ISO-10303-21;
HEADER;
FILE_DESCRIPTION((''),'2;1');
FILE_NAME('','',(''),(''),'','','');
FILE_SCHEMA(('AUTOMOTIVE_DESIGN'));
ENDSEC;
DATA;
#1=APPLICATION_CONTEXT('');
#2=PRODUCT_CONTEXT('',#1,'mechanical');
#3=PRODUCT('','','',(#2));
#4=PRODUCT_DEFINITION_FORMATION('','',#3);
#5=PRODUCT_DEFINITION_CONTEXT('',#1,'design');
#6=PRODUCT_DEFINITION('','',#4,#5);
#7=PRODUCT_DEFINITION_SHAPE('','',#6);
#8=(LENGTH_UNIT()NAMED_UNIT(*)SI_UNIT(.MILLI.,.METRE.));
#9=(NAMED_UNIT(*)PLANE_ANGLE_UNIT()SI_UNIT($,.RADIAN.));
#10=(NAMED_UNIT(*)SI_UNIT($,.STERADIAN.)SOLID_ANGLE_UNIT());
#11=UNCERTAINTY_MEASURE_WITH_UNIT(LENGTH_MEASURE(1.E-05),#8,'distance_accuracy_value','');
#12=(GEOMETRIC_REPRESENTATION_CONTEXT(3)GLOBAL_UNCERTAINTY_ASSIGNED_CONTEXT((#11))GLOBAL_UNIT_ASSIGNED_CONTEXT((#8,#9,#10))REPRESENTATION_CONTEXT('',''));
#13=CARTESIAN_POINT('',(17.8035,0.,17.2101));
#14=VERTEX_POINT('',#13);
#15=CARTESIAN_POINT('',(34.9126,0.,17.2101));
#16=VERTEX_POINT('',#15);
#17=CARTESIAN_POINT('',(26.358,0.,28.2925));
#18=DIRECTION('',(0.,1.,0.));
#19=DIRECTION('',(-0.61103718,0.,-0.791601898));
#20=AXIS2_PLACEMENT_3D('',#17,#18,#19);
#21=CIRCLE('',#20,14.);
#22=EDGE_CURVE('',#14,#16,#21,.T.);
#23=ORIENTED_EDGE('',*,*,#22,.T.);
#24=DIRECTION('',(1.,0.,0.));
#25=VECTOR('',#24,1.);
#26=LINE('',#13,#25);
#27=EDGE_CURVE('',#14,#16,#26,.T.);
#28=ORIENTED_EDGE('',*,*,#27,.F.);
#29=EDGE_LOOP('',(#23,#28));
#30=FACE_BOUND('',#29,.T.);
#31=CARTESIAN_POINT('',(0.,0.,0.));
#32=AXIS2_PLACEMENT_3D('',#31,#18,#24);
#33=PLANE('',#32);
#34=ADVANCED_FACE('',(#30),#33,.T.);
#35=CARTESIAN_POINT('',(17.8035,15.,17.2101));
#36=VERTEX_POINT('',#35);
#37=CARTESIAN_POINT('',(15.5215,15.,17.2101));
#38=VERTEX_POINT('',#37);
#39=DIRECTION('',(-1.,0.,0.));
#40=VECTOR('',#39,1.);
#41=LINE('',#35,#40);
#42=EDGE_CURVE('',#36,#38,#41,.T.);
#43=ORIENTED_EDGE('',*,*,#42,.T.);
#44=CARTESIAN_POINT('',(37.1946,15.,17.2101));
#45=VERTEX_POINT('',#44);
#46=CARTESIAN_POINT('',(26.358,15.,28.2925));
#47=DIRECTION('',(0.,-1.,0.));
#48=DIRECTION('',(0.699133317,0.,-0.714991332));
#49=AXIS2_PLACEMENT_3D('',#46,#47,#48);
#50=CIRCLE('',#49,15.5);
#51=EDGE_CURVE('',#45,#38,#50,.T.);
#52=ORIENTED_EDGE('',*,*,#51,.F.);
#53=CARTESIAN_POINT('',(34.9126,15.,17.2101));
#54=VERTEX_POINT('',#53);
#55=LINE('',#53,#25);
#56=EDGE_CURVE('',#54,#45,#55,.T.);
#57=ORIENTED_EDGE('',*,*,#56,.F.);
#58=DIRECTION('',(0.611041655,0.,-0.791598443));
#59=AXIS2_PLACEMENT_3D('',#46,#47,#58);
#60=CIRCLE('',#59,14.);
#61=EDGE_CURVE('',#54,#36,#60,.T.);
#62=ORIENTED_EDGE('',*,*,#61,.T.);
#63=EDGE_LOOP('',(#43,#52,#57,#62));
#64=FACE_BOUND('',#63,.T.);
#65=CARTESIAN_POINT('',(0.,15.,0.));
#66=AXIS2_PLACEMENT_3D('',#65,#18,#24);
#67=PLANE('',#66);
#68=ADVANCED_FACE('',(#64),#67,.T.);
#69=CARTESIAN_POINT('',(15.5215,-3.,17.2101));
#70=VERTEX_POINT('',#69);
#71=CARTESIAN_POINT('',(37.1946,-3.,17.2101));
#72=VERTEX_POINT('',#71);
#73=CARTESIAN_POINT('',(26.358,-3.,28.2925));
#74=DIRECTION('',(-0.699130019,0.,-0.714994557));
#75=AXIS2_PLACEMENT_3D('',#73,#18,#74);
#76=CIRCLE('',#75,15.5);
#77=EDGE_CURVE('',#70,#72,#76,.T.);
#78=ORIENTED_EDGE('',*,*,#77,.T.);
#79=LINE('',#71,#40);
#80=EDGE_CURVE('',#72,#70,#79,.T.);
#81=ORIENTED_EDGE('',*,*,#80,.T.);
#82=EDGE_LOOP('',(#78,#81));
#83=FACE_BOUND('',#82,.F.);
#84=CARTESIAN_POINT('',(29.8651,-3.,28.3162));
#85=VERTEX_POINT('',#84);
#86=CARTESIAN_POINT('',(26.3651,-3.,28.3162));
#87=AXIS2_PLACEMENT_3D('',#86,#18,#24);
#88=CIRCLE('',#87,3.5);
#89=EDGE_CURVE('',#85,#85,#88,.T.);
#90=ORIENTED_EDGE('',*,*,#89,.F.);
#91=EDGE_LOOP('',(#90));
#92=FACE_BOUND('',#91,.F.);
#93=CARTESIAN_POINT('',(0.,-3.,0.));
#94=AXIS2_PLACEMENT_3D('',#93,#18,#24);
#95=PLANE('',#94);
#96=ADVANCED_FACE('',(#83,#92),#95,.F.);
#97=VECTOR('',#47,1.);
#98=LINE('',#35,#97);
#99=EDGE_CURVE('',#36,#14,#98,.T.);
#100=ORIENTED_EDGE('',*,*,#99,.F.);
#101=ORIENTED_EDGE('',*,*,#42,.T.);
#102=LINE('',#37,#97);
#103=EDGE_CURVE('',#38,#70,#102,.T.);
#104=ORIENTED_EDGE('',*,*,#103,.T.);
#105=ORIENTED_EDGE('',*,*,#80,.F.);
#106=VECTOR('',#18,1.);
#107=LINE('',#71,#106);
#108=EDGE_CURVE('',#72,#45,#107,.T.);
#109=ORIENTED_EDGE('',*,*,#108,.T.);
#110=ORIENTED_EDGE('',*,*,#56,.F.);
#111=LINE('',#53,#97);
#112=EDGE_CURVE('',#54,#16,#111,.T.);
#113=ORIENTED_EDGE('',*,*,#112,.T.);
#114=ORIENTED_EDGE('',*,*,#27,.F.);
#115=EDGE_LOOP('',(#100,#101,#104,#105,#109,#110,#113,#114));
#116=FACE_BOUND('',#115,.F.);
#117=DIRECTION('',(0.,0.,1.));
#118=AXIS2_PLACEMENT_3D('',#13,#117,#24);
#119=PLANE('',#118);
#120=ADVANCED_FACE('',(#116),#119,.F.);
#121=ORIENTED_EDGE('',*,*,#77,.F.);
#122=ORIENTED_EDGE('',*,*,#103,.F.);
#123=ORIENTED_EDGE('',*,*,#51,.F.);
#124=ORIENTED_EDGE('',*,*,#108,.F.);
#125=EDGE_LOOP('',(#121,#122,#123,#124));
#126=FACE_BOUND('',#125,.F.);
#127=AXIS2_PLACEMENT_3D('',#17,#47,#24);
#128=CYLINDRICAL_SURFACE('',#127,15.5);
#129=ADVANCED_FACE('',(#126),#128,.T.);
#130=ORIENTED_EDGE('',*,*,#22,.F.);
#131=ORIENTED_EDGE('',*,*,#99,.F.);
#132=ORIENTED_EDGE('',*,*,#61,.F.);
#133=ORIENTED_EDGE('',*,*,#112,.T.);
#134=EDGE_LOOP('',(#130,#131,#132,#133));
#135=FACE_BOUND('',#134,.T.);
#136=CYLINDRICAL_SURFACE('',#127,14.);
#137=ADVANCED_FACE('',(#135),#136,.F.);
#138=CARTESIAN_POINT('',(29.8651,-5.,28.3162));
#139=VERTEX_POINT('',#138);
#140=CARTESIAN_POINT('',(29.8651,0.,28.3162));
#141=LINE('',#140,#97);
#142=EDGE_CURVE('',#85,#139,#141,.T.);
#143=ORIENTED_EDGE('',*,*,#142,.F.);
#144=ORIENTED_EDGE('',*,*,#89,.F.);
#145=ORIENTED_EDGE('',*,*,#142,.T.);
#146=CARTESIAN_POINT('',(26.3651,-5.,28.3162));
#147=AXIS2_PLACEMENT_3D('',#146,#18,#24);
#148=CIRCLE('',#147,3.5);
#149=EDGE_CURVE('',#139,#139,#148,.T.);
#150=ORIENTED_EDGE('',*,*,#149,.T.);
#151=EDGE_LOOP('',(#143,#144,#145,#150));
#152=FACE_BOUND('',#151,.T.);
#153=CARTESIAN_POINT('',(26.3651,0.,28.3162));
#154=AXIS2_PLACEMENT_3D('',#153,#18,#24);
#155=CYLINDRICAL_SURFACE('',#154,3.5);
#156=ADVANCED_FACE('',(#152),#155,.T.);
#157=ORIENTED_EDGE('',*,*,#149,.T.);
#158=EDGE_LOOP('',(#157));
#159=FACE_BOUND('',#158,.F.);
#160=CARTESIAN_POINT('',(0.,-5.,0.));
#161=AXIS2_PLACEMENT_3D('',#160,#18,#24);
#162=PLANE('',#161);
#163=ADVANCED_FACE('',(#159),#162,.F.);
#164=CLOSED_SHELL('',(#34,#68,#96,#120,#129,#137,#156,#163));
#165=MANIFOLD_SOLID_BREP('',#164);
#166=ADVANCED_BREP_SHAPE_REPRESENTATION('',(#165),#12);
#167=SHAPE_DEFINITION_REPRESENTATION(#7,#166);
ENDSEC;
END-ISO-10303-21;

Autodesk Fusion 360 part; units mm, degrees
sketch "Sketch1" plane through (0, 0, 0) normal (0, 1, 0) x (1, 0, 0)
  circle A0 centre (26.358, -28.2925) radius 15.5
  line L0 (17.858, -15.331) -> (34.858, -15.331)
  circle A1 centre (26.358, -28.2925) radius 14
  line L1 (17.8035, -17.2101) -> (34.9126, -17.2101)
  line L2 (34.9126, -17.2101) -> (37.1946, -17.2101)
  line L3 (17.8035, -17.2101) -> (15.5215, -17.2101)
  dimension "d1" = 31
  dimension "d2" = 17
  dimension "d3" = 28
extrude "Extrude1" add sketch "Sketch1" along normal blind 15 contours A0 A1 L2 L3 makes body 1
extrude "Extrude2" add sketch "Sketch1" against normal blind 3 contours A0 A1 L2 L3 bodies 1
extrude "Extrude3" add sketch "Sketch1" against normal blind 3 contours A1 L1 bodies 1
sketch "Sketch2" plane through (0, 0, 0) normal (0, 1, 0) x (1, 0, 0)
  circle A0 centre (26.3651, -28.3162) radius 3.5
  dimension "d11" = 7
extrude "Extrude4" add sketch "Sketch2" against normal blind 5 separate body makes body 2
combine "Combine1" operation add target body 2 tool bodies 1
